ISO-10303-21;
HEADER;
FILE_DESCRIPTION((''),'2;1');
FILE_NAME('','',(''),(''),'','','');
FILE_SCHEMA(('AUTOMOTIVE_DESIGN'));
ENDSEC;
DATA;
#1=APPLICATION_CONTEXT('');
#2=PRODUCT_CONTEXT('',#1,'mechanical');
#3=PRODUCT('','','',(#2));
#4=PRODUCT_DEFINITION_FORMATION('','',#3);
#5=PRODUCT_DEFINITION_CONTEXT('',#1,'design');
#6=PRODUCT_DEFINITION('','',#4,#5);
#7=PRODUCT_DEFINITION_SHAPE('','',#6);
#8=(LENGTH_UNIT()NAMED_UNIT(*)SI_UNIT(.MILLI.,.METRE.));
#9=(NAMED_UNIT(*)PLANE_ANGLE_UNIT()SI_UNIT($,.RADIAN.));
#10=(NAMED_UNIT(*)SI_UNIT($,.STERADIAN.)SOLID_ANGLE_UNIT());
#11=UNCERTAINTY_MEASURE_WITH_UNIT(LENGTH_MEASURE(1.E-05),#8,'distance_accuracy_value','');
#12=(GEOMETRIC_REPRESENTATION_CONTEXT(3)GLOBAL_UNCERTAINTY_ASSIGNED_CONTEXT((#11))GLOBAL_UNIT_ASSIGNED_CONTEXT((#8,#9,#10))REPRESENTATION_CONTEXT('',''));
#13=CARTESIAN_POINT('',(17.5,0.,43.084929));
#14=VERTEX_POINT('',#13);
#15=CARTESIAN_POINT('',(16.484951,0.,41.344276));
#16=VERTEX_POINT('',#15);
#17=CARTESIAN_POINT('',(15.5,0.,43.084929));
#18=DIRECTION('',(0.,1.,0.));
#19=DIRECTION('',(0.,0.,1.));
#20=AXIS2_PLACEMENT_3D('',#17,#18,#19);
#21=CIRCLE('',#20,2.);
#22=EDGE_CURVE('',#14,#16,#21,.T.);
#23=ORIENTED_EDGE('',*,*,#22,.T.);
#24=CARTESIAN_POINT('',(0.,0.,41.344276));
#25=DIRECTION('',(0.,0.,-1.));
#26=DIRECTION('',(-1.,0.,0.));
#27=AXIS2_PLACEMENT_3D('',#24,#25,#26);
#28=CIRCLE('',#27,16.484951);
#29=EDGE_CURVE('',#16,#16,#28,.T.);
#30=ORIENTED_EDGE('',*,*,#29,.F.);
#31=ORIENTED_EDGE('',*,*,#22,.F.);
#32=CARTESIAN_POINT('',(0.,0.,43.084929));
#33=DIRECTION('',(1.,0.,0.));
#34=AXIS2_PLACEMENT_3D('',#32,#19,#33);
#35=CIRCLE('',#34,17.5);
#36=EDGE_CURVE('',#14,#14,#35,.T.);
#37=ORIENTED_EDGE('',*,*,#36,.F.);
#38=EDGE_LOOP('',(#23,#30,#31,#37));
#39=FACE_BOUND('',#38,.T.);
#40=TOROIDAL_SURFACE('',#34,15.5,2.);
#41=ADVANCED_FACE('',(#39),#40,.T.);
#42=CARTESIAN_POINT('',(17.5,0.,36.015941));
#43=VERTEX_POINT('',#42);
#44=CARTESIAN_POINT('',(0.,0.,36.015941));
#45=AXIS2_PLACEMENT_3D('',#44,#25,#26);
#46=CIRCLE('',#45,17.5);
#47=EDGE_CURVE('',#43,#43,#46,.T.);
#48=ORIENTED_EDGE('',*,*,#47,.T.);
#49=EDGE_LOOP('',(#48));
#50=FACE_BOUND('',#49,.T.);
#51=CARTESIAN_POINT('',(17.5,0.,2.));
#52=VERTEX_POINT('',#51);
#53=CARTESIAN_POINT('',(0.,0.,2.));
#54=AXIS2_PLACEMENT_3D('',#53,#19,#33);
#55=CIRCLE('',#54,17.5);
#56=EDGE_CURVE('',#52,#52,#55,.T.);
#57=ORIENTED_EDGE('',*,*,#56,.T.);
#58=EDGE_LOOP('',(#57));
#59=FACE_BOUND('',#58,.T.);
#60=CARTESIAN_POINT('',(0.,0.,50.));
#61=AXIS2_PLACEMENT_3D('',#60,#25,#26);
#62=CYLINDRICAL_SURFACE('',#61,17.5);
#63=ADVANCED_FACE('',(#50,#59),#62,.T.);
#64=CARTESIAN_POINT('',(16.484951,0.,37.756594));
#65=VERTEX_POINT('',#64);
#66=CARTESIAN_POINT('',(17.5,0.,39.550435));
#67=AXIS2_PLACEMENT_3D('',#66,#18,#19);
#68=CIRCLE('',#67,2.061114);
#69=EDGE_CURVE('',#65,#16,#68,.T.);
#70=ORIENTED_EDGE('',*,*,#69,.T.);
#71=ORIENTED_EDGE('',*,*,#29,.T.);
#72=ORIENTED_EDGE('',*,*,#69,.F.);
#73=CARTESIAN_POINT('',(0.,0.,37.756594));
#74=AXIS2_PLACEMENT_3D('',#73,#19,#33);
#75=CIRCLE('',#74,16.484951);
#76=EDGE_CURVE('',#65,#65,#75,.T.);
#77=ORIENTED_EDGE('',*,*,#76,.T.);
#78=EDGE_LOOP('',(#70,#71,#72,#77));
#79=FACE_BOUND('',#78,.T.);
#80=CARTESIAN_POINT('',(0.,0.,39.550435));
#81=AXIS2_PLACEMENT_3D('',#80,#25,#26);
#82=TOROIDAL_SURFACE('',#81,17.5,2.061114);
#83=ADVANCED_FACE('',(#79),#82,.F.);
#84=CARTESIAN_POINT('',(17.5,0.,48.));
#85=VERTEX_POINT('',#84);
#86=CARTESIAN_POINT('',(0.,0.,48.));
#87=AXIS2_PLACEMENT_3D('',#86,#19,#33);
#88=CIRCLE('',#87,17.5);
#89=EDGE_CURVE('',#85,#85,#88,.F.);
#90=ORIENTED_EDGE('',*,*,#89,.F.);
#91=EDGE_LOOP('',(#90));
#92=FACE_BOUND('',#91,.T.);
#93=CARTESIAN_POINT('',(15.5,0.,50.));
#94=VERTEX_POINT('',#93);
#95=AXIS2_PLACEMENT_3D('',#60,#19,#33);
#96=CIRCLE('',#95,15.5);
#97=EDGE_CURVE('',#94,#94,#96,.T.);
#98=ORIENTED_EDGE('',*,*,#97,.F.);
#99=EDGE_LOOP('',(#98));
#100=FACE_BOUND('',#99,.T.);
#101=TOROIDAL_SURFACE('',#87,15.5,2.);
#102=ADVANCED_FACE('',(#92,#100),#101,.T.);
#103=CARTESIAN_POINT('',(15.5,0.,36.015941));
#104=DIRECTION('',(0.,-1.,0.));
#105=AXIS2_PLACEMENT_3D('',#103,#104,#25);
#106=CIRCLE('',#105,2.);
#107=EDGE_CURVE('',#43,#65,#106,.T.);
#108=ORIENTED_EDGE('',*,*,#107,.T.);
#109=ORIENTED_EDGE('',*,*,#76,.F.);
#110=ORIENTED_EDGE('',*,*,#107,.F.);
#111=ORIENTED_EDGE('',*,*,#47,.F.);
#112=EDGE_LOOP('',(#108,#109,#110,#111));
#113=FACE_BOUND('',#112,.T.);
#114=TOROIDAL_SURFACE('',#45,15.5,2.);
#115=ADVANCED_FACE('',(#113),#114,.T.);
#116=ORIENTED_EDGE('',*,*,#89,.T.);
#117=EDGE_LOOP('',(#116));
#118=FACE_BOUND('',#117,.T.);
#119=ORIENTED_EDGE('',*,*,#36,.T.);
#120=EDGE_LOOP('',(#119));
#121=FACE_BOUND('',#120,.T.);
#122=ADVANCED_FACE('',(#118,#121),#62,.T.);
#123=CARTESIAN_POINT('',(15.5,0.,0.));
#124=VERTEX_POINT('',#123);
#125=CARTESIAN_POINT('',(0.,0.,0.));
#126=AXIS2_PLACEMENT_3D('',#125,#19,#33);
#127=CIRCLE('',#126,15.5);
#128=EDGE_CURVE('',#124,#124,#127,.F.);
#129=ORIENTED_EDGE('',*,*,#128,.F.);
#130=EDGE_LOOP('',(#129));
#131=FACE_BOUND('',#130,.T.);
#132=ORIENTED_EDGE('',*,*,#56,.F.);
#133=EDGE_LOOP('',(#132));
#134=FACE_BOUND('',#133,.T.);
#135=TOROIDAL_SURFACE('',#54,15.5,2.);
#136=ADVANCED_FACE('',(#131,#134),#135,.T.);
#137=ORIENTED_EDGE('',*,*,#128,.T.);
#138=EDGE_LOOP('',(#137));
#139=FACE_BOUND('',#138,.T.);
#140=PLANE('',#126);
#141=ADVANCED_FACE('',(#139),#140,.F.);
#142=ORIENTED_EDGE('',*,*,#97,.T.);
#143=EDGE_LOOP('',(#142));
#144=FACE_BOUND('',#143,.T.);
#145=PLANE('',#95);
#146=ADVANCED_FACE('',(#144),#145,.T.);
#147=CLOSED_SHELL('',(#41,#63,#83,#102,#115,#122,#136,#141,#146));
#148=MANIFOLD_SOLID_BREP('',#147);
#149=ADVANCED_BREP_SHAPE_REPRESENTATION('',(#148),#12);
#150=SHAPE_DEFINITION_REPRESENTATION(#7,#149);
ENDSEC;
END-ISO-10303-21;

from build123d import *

# Parameters (mm, degrees)
SKETCH1_R           = 17.5
BOSS_EXTRUDE1_DEPTH = 50
FILLET1_R           = 2
SKETCH2_R           = 2.061113782
FILLET2_R           = 2


with BuildPart() as part:
    # Sketch1 → Boss-Extrude1 (new body)
    with BuildSketch(Plane.XY):
        Circle(SKETCH1_R)
    extrude(amount=BOSS_EXTRUDE1_DEPTH)

    # Fillet1
    fillet1_edges = [part.edges().sort_by_distance(p)[0] for p in [
        (-17.5, 0, 0),
        (-17.5, 0, 50),
    ]]
    fillet(fillet1_edges, radius=FILLET1_R)

    # Cut-Sweep1: sweep along a curve in space
    with BuildLine() as cut_sweep1_path:
        ThreePointArc((17.5, 0, 48), (12.374368671, 12.374368671, 48), (0, 17.5, 48))
        ThreePointArc((0, 17.5, 48), (-12.374368671, 12.374368671, 48), (-17.5, 0, 48))
        ThreePointArc((-17.5, 0, 48), (-12.374368671, -12.374368671, 48), (0, -17.5, 48))
        ThreePointArc((0, -17.5, 48), (12.374368671, -12.374368671, 48), (17.5, 0, 48))
    # Sketch2 → Cut-Sweep1 (sweep, cut)
    with BuildSketch(Plane(origin=(0, 0, 0), x_dir=(1, 0, 0), z_dir=(0, 1, 0))):
        with Locations((17.5, -39.550435004)):
            Circle(SKETCH2_R)
    sweep(path=cut_sweep1_path.line, mode=Mode.SUBTRACT)

    # Fillet2
    fillet2_edges = [part.edges().sort_by_distance(p)[0] for p in [
        (-12.374368671, -12.374368671, 41.611548785),
        (12.374368671, -12.374368671, 37.489321222),
    ]]
    fillet(fillet2_edges, radius=FILLET2_R)


solid = part.part
